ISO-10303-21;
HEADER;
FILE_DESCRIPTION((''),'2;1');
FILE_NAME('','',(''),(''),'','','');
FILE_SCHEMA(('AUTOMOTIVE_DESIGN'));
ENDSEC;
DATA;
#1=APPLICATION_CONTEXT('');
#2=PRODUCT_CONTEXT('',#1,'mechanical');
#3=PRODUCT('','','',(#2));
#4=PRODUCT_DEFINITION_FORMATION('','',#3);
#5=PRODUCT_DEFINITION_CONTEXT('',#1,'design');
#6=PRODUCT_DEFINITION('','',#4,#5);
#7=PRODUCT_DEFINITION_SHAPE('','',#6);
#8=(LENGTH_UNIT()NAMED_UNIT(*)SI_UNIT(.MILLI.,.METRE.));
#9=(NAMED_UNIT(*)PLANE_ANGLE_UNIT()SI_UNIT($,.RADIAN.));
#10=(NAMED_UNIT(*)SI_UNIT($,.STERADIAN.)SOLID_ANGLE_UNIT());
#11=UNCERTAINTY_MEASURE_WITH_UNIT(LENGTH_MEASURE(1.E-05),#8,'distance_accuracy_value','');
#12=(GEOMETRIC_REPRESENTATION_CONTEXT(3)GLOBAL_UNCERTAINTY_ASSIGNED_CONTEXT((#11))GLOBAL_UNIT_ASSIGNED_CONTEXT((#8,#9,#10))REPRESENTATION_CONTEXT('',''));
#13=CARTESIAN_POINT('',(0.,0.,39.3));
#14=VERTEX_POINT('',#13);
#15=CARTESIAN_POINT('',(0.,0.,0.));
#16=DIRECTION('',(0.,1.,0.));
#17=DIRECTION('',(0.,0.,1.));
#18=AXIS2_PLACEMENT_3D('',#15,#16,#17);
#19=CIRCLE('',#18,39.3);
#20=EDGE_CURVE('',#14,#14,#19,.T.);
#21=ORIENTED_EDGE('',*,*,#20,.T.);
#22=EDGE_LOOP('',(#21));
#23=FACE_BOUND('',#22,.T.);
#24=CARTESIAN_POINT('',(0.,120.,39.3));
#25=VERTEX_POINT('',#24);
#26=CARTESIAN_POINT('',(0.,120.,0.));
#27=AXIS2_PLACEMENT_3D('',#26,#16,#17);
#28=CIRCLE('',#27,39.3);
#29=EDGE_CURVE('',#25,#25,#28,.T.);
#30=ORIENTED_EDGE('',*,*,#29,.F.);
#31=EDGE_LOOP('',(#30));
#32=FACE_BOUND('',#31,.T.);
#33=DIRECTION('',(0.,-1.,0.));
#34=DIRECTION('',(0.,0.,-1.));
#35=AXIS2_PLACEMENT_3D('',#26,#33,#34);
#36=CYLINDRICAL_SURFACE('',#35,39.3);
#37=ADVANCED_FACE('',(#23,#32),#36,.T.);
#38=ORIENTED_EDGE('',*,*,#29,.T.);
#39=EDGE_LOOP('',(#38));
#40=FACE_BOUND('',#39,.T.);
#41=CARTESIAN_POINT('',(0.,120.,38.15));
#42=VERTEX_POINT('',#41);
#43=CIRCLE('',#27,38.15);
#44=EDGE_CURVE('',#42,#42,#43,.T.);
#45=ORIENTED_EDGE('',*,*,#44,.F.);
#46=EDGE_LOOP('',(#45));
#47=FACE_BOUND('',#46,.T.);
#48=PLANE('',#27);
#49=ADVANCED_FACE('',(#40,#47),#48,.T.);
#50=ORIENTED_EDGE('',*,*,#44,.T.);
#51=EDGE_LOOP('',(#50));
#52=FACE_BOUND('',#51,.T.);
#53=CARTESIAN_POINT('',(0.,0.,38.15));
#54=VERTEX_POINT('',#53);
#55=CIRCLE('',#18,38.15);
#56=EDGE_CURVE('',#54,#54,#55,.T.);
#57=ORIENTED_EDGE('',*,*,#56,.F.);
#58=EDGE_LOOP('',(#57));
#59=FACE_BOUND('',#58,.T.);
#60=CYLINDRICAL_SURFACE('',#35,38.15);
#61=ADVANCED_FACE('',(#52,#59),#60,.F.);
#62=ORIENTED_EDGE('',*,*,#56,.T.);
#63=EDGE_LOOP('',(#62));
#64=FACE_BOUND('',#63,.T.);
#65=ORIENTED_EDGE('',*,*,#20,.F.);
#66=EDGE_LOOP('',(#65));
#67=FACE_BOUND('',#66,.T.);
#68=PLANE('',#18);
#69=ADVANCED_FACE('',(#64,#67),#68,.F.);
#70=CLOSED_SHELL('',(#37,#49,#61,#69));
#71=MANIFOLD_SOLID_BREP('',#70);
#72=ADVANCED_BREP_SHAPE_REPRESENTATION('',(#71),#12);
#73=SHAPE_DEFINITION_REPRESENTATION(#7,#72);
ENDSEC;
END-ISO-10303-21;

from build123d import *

# Parameters (mm, degrees)
SKETCH1_R           = 39.3
SKETCH1_R_2         = 38.15
BOSS_EXTRUDE1_DEPTH = 120


with BuildPart() as part:
    # Sketch1 → Boss-Extrude1 (new body)
    with BuildSketch(Plane(origin=(0, 0, 0), x_dir=(1, 0, 0), z_dir=(0, 1, 0))):
        with Locations(Location((0, 0, 0), (0, 0, 270))):
            Circle(SKETCH1_R)
        with Locations(Location((0, 0, 0), (0, 0, 270))):
            Circle(SKETCH1_R_2, mode=Mode.SUBTRACT)
    extrude(amount=BOSS_EXTRUDE1_DEPTH)


solid = part.part
